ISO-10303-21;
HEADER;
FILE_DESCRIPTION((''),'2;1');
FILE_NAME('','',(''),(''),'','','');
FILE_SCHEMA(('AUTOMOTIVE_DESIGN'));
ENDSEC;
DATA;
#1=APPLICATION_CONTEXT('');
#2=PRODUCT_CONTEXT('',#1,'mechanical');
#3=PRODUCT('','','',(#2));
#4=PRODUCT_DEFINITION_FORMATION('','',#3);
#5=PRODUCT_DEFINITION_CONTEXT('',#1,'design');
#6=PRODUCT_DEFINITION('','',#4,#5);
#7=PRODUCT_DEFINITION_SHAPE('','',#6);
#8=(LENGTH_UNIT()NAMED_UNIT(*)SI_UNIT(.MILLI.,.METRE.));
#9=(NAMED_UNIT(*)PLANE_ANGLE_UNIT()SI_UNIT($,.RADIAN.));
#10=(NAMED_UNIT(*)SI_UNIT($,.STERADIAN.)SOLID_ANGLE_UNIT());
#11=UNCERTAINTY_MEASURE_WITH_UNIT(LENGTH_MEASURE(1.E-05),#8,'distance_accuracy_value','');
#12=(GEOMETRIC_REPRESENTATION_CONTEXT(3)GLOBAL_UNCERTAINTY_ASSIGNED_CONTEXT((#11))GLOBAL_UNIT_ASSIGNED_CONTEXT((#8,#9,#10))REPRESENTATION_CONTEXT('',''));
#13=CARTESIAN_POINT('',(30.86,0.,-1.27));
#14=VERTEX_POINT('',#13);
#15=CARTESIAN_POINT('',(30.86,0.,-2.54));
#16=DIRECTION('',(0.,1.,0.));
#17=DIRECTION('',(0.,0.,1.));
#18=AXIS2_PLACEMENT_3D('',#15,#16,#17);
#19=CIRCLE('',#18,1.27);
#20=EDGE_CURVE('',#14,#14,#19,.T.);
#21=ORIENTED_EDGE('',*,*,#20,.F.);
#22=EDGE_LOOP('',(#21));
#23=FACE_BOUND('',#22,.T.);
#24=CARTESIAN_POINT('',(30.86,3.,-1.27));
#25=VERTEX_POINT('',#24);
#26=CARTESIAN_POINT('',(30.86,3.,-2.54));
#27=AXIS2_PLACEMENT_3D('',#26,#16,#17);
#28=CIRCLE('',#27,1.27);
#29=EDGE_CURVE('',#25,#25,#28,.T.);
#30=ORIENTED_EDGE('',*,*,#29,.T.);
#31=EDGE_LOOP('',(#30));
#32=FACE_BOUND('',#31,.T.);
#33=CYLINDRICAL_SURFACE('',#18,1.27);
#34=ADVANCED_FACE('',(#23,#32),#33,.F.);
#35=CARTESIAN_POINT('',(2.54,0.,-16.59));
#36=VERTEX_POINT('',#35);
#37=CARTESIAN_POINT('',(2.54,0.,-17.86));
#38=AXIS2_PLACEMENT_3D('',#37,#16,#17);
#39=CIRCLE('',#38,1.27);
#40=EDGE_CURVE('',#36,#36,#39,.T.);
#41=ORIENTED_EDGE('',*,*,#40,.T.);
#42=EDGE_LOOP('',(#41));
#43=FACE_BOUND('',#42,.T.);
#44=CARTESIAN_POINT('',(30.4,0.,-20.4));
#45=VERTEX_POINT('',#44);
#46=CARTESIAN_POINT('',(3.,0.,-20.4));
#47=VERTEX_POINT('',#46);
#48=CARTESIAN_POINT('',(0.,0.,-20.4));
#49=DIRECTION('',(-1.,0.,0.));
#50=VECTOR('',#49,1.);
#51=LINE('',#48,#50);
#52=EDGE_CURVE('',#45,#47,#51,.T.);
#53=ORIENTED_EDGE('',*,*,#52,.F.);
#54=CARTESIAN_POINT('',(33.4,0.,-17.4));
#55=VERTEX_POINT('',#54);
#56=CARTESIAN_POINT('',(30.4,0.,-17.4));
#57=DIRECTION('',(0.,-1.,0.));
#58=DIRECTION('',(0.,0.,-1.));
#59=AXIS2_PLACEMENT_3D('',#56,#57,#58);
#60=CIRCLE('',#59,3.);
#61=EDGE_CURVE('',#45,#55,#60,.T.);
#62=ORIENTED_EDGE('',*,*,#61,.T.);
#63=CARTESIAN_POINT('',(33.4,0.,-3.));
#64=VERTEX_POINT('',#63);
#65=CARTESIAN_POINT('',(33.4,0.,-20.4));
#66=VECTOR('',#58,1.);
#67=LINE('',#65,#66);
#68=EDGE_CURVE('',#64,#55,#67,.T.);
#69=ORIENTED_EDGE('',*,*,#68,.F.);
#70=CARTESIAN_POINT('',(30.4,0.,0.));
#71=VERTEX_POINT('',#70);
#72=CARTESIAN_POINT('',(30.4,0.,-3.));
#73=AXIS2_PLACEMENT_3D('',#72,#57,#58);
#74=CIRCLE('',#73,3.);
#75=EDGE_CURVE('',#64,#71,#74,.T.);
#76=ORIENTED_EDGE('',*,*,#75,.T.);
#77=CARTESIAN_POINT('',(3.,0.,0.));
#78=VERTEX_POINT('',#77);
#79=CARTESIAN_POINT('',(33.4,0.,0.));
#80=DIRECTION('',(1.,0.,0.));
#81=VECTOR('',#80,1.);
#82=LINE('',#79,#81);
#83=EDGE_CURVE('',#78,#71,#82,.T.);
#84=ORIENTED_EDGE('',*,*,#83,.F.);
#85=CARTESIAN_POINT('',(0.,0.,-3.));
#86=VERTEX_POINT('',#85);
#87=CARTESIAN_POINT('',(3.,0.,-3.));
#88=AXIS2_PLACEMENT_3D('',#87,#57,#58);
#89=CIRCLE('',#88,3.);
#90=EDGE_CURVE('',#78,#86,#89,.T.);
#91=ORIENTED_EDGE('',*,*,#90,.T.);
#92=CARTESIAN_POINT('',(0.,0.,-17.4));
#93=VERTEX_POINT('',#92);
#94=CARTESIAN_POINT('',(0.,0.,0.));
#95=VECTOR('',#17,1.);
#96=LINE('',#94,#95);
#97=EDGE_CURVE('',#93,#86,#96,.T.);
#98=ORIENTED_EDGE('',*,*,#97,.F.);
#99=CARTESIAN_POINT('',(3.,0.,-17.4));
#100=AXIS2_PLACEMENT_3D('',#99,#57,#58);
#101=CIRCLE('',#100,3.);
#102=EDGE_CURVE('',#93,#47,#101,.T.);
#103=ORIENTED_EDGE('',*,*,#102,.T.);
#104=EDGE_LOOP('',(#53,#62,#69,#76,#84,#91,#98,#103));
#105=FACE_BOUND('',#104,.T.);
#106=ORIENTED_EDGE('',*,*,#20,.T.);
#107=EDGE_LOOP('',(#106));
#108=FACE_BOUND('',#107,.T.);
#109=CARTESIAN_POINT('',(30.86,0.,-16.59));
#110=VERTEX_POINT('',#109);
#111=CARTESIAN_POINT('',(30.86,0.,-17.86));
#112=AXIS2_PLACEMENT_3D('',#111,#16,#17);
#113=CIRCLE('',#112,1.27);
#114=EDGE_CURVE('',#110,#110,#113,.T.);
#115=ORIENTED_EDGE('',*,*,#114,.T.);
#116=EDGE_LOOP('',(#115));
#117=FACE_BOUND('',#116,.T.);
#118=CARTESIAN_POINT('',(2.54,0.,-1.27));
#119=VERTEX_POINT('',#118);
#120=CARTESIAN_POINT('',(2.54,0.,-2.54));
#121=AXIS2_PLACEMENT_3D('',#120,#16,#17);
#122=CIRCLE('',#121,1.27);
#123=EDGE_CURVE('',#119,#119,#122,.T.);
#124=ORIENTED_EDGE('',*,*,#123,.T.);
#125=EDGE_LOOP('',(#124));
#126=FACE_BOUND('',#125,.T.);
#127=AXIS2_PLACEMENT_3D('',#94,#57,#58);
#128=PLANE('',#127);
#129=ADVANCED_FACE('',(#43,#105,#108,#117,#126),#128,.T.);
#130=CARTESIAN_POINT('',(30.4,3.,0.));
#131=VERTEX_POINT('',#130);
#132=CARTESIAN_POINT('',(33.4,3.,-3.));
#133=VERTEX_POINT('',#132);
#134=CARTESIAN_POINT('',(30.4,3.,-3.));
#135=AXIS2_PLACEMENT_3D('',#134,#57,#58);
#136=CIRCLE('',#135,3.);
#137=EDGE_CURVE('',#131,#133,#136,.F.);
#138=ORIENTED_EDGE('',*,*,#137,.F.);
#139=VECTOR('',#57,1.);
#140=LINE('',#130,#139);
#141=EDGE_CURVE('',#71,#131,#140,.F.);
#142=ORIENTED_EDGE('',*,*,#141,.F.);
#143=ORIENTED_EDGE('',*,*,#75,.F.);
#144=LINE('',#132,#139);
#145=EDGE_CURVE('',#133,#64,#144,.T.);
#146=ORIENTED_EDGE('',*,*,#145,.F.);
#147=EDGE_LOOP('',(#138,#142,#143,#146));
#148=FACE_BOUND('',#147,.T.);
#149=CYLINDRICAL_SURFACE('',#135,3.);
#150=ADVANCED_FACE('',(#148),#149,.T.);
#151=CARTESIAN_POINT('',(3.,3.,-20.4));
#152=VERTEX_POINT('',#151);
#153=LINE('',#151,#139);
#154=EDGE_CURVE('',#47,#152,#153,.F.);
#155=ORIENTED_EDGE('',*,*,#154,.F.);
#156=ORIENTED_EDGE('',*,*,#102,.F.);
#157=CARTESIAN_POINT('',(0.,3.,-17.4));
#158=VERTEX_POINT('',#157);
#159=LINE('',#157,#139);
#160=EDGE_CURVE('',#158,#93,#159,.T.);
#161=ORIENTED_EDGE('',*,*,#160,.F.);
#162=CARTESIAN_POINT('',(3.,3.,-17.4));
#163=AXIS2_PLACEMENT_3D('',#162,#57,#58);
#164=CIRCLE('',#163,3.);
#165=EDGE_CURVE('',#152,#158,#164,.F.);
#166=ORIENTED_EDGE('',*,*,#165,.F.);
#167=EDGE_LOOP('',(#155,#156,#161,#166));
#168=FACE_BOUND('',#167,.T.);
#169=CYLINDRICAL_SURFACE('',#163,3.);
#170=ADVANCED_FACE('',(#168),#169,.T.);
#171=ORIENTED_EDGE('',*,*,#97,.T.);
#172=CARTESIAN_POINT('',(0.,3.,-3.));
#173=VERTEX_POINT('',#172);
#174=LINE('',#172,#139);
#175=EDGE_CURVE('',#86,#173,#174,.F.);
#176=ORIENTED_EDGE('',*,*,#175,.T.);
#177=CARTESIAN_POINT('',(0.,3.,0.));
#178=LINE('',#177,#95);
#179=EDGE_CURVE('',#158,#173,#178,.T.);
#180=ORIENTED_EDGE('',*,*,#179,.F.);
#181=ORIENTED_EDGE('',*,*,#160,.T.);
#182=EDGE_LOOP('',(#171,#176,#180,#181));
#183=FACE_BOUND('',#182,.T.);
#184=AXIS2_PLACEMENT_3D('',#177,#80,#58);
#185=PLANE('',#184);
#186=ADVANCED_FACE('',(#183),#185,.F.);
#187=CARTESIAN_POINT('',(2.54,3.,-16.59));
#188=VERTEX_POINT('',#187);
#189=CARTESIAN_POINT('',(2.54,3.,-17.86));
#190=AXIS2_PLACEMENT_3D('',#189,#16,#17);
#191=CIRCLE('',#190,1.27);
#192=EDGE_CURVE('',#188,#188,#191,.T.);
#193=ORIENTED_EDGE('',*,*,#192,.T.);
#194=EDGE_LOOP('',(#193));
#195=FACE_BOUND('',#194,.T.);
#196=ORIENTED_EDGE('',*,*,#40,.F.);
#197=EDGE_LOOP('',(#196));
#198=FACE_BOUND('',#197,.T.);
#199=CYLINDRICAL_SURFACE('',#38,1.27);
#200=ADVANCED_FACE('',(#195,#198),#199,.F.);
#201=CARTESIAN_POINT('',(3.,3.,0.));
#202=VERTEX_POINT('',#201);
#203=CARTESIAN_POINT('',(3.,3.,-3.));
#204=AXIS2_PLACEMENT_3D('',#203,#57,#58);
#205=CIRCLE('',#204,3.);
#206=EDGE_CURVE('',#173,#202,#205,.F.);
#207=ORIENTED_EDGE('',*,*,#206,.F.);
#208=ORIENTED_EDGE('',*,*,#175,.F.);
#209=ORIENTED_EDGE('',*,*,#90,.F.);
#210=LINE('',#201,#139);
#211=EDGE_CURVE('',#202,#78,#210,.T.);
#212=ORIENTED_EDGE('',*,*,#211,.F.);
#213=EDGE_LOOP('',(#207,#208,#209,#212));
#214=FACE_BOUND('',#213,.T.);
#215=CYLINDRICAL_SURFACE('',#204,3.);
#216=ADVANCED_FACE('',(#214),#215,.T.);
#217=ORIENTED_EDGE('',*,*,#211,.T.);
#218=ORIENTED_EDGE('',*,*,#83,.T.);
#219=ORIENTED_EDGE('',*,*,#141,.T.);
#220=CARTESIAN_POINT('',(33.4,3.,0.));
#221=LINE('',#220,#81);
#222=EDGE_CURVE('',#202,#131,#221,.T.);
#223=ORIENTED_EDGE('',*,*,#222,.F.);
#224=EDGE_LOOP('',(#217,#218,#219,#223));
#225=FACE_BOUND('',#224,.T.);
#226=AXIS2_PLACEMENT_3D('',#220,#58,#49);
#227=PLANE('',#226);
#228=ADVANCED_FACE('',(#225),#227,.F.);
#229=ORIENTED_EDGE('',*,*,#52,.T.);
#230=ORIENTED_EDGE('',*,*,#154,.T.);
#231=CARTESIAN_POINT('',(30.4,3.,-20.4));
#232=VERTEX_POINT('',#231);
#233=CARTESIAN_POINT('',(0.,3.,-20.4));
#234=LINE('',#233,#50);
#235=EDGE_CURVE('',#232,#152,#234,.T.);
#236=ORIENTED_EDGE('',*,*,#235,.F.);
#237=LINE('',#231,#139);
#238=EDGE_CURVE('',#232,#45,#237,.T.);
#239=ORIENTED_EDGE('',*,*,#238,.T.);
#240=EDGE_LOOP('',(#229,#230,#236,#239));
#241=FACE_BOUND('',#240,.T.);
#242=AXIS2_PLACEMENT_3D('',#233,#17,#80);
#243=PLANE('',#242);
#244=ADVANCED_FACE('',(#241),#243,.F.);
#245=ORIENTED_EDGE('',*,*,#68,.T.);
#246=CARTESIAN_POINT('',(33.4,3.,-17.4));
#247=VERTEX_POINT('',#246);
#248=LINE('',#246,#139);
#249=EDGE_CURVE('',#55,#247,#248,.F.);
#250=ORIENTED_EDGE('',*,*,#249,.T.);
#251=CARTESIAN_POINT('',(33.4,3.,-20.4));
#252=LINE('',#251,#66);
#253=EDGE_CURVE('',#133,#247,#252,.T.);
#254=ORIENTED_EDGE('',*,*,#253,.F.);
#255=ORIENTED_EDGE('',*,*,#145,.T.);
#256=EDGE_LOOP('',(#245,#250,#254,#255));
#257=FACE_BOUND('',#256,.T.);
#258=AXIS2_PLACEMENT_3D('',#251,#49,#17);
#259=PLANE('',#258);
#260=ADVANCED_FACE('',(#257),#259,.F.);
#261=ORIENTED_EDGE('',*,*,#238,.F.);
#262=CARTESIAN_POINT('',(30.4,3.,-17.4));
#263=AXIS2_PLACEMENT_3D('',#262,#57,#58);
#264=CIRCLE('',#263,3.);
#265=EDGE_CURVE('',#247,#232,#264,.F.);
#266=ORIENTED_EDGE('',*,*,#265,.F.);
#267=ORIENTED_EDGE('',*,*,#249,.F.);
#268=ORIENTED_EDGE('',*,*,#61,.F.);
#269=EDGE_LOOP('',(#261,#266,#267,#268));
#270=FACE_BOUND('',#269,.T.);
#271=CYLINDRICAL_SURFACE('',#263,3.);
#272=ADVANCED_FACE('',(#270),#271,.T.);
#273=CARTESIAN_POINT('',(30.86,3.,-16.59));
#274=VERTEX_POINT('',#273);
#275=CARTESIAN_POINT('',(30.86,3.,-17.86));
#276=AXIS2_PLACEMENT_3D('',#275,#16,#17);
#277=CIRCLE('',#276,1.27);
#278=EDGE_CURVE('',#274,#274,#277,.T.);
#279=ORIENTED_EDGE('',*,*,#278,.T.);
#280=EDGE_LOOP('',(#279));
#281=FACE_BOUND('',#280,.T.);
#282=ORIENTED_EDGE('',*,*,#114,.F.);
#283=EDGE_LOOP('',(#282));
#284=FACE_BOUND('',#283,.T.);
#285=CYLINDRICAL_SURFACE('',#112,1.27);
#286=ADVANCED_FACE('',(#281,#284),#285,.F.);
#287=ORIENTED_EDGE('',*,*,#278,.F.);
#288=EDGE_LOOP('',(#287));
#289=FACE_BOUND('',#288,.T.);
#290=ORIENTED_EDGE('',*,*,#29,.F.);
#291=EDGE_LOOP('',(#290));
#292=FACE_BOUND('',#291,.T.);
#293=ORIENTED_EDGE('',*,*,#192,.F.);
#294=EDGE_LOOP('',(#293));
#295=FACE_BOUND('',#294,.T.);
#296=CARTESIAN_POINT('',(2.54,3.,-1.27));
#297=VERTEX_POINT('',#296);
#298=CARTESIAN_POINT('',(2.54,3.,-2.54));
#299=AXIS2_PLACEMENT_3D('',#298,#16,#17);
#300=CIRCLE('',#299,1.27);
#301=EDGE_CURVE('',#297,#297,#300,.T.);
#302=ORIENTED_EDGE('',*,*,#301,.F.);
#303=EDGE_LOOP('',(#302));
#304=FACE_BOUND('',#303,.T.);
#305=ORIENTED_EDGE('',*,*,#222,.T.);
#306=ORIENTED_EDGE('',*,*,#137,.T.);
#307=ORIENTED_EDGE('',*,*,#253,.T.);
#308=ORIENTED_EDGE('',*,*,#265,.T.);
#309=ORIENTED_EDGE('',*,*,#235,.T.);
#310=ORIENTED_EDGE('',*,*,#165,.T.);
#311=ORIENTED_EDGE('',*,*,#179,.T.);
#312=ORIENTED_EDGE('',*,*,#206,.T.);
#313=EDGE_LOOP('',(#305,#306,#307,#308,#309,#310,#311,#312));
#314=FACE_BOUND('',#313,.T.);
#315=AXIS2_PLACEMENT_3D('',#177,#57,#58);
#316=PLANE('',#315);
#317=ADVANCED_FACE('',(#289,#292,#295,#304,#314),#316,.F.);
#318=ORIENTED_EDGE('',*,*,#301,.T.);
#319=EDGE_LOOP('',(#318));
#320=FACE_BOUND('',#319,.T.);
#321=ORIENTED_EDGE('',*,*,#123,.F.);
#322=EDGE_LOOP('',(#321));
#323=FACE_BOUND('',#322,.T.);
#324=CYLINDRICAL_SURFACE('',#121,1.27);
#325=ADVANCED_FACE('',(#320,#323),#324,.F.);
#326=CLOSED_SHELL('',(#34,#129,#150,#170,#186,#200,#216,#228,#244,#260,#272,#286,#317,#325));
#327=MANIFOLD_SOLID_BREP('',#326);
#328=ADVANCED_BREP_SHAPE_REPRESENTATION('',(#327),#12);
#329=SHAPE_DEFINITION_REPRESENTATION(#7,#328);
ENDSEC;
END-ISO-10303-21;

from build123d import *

# Parameters (mm, degrees)
SKETCH1_W           = 33.4
SKETCH1_H           = 20.4
BOSS_EXTRUDE1_DEPTH = 3
SKETCH4_R           = 1.27
CUT_EXTRUDE1_DEPTH  = 40.252006318
FILLET5_R           = 3


with BuildPart() as part:
    # Sketch1 → Boss-Extrude1 (new body)
    with BuildSketch(Plane(origin=(0, 0, 0), x_dir=(1, 0, 0), z_dir=(0, 1, 0))):
        with Locations((16.7, 10.2)):
            Rectangle(SKETCH1_W, SKETCH1_H)
    extrude(amount=BOSS_EXTRUDE1_DEPTH)

    # Sketch4 → Cut-Extrude1 (cut, through all)
    with BuildSketch(Plane(origin=(0, 3, 0), x_dir=(1, 0, 0), z_dir=(0, 1, 0))):
        with Locations(Location((2.54, 17.86, 0), (0, 0, 270))):
            Circle(SKETCH4_R)
        with Locations(Location((2.54, 2.54, 0), (0, 0, 270))):
            Circle(SKETCH4_R)
        with Locations(Location((30.86, 17.86, 0), (0, 0, 270))):
            Circle(SKETCH4_R)
        with Locations(Location((30.86, 2.54, 0), (0, 0, 270))):
            Circle(SKETCH4_R)
    extrude(amount=-CUT_EXTRUDE1_DEPTH, mode=Mode.SUBTRACT)

    # Fillet5
    fillet5_edges = [part.edges().sort_by_distance(p)[0] for p in [
        (0, 1.5, 0),
        (0, 1.5, -20.4),
        (33.4, 1.5, -20.4),
        (33.4, 1.5, 0),
    ]]
    fillet(fillet5_edges, radius=FILLET5_R)


solid = part.part
